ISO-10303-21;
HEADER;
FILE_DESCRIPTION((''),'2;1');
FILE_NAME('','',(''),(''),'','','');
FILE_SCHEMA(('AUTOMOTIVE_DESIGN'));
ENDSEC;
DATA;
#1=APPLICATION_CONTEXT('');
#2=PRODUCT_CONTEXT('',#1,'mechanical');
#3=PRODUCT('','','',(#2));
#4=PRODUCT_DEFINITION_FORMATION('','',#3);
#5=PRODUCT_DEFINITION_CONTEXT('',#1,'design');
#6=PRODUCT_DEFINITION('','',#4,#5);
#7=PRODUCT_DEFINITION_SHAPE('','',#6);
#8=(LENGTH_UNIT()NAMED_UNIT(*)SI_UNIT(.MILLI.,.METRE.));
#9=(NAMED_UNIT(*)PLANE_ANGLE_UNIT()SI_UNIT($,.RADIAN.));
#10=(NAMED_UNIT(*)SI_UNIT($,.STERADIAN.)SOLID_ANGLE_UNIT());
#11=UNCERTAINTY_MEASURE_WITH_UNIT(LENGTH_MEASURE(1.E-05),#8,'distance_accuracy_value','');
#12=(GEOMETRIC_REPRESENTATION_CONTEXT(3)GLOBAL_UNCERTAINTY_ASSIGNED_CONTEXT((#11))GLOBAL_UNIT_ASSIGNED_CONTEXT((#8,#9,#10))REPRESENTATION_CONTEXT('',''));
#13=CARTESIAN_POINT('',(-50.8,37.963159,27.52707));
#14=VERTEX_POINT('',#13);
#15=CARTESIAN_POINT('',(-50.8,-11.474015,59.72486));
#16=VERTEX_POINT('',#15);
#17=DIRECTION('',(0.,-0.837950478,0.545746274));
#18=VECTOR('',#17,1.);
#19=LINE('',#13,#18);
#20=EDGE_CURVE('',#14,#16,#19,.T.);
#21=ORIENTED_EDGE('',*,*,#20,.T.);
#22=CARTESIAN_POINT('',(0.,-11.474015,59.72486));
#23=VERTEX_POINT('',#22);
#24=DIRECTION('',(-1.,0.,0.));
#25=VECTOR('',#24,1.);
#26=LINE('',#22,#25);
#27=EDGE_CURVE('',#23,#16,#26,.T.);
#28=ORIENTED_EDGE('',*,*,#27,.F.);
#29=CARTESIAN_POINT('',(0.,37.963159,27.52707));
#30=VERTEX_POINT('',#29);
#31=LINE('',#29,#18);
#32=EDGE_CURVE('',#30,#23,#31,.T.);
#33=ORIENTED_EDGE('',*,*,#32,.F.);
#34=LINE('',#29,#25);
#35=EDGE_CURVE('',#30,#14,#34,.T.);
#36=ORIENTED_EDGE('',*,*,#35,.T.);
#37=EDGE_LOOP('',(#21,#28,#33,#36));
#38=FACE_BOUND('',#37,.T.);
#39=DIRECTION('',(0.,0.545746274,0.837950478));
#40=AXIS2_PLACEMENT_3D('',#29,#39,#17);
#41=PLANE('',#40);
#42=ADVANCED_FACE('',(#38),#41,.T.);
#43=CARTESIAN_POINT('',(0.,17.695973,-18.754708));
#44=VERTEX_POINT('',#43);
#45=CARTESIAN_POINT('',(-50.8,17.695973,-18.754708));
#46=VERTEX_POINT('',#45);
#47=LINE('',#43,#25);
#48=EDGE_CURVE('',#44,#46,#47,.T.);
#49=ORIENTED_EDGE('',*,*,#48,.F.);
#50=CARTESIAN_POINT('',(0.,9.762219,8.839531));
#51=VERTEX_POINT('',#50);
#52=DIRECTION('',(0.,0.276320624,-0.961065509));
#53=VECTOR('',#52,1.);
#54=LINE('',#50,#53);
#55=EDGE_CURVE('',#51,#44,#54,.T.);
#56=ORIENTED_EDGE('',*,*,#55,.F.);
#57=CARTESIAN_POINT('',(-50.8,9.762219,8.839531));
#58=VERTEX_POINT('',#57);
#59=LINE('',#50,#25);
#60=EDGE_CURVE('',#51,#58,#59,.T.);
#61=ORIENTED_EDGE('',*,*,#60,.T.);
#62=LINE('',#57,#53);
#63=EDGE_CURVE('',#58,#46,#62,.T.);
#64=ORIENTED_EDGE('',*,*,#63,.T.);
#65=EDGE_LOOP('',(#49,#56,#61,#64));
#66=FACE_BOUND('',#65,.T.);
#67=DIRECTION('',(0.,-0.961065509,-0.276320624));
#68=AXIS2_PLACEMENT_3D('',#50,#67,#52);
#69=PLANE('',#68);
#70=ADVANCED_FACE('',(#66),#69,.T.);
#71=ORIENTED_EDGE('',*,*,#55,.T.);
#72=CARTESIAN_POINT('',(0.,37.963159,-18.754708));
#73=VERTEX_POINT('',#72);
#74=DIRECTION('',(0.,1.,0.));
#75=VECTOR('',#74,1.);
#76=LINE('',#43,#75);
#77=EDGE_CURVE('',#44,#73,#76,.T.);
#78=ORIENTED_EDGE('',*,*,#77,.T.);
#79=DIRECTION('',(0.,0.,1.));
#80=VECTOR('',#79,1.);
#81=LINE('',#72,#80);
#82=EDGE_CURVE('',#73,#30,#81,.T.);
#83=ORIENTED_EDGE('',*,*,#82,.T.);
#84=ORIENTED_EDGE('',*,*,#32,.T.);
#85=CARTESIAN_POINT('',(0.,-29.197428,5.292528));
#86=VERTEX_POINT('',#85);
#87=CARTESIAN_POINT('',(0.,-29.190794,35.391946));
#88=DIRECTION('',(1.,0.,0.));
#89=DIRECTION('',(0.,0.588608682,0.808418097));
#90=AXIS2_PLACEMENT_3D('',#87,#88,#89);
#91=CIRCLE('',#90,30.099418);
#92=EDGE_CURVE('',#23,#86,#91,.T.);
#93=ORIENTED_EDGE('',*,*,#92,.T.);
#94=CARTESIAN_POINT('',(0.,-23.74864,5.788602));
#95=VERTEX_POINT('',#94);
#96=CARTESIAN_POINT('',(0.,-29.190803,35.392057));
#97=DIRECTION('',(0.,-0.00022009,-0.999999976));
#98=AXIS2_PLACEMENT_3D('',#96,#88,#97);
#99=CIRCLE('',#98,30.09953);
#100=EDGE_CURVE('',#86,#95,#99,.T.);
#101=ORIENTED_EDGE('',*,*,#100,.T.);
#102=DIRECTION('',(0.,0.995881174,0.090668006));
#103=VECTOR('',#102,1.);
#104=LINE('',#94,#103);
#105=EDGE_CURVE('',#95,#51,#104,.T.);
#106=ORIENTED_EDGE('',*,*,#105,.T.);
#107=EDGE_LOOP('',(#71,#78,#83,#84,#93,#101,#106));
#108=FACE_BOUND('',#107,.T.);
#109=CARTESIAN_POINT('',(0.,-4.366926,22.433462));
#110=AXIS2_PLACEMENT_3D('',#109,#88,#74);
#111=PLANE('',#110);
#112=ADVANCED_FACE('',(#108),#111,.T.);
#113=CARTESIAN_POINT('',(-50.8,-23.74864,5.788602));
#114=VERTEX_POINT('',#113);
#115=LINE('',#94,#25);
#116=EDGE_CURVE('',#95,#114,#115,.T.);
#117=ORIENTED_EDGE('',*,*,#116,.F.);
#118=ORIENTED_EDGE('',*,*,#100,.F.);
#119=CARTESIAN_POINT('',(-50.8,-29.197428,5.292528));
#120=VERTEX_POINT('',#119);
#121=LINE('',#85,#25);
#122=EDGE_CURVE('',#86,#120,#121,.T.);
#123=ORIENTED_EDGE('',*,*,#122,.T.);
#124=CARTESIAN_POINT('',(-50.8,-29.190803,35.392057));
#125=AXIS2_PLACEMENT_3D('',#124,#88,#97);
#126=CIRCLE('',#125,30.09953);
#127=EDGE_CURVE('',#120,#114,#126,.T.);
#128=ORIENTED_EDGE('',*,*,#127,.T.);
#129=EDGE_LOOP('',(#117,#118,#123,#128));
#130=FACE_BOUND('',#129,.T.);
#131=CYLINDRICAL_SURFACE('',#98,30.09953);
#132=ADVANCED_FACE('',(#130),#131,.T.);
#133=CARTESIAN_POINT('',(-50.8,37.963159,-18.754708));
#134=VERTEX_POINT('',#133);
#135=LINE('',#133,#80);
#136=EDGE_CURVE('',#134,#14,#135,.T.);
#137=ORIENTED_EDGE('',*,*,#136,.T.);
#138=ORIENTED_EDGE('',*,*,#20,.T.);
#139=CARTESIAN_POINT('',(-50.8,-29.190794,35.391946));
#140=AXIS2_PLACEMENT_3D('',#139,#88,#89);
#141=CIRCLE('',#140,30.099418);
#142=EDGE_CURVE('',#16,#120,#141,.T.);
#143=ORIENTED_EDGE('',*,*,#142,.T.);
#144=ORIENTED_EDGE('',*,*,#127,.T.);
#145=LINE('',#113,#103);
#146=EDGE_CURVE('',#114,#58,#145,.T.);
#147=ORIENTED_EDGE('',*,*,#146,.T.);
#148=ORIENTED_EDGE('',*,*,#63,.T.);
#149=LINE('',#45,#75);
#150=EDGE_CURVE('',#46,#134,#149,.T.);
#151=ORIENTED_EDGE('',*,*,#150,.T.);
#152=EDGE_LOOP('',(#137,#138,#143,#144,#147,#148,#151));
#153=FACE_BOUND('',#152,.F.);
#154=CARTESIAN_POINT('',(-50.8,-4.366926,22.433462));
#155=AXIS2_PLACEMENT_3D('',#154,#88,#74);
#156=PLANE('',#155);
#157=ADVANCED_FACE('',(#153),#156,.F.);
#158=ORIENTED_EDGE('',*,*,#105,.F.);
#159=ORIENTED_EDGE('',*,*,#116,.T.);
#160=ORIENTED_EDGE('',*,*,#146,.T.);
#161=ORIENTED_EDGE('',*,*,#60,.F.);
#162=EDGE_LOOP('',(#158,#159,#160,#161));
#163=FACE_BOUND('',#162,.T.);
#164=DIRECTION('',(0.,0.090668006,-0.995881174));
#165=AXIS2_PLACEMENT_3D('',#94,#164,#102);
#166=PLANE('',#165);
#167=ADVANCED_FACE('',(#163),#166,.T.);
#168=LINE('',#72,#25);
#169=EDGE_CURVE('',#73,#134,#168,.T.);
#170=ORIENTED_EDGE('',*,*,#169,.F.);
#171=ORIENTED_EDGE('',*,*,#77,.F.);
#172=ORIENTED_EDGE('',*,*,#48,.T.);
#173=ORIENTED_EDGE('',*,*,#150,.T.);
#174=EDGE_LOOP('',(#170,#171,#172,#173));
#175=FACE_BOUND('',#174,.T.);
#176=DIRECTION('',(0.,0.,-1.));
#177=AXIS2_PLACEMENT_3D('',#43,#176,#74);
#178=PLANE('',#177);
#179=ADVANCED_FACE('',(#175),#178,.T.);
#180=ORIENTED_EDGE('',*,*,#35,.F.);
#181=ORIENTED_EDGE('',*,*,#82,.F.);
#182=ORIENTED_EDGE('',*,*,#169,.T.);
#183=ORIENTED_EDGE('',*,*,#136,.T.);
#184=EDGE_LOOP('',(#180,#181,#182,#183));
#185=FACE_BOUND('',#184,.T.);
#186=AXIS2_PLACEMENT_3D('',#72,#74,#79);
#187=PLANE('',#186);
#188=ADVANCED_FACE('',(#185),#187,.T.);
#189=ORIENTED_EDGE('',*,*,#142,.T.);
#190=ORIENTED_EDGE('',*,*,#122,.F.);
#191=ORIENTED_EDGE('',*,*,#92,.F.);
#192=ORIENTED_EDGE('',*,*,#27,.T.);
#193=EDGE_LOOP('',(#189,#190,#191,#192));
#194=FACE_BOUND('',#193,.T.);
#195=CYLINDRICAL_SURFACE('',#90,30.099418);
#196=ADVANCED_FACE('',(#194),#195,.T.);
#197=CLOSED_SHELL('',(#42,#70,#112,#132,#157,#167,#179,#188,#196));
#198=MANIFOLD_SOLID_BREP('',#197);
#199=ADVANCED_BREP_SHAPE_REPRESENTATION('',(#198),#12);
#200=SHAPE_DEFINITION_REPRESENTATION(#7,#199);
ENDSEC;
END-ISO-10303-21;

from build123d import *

# Parameters (mm, degrees)
F1_DEPTH = 50.8


with BuildPart() as f1:
    # F0 (on Right) → F1 (new body)
    with BuildSketch(Plane.YZ):
        with BuildLine():
            Line((37.963159, 27.52707), (-11.474015, 59.72486))
            ThreePointArc((-11.474015, 59.72486), (-57.811276, 44.710904), (-29.197428, 5.292528))
            Line((-29.197428, 5.292528), (-23.74864, 5.788602))
            Line((-23.74864, 5.788602), (9.762219, 8.839531))
            Line((9.762219, 8.839531), (17.695973, -18.754708))
            Line((17.695973, -18.754708), (37.963159, -18.754708))
            Line((37.963159, -18.754708), (37.963159, 27.52707))
        make_face()
        with BuildLine():
            Line((-23.74864, 5.788602), (-29.197428, 5.292528))
            ThreePointArc((-29.197428, 5.292528), (-26.461739, 5.416502), (-23.74864, 5.788602))
        make_face()
    extrude(amount=-F1_DEPTH)


solid = f1.part
